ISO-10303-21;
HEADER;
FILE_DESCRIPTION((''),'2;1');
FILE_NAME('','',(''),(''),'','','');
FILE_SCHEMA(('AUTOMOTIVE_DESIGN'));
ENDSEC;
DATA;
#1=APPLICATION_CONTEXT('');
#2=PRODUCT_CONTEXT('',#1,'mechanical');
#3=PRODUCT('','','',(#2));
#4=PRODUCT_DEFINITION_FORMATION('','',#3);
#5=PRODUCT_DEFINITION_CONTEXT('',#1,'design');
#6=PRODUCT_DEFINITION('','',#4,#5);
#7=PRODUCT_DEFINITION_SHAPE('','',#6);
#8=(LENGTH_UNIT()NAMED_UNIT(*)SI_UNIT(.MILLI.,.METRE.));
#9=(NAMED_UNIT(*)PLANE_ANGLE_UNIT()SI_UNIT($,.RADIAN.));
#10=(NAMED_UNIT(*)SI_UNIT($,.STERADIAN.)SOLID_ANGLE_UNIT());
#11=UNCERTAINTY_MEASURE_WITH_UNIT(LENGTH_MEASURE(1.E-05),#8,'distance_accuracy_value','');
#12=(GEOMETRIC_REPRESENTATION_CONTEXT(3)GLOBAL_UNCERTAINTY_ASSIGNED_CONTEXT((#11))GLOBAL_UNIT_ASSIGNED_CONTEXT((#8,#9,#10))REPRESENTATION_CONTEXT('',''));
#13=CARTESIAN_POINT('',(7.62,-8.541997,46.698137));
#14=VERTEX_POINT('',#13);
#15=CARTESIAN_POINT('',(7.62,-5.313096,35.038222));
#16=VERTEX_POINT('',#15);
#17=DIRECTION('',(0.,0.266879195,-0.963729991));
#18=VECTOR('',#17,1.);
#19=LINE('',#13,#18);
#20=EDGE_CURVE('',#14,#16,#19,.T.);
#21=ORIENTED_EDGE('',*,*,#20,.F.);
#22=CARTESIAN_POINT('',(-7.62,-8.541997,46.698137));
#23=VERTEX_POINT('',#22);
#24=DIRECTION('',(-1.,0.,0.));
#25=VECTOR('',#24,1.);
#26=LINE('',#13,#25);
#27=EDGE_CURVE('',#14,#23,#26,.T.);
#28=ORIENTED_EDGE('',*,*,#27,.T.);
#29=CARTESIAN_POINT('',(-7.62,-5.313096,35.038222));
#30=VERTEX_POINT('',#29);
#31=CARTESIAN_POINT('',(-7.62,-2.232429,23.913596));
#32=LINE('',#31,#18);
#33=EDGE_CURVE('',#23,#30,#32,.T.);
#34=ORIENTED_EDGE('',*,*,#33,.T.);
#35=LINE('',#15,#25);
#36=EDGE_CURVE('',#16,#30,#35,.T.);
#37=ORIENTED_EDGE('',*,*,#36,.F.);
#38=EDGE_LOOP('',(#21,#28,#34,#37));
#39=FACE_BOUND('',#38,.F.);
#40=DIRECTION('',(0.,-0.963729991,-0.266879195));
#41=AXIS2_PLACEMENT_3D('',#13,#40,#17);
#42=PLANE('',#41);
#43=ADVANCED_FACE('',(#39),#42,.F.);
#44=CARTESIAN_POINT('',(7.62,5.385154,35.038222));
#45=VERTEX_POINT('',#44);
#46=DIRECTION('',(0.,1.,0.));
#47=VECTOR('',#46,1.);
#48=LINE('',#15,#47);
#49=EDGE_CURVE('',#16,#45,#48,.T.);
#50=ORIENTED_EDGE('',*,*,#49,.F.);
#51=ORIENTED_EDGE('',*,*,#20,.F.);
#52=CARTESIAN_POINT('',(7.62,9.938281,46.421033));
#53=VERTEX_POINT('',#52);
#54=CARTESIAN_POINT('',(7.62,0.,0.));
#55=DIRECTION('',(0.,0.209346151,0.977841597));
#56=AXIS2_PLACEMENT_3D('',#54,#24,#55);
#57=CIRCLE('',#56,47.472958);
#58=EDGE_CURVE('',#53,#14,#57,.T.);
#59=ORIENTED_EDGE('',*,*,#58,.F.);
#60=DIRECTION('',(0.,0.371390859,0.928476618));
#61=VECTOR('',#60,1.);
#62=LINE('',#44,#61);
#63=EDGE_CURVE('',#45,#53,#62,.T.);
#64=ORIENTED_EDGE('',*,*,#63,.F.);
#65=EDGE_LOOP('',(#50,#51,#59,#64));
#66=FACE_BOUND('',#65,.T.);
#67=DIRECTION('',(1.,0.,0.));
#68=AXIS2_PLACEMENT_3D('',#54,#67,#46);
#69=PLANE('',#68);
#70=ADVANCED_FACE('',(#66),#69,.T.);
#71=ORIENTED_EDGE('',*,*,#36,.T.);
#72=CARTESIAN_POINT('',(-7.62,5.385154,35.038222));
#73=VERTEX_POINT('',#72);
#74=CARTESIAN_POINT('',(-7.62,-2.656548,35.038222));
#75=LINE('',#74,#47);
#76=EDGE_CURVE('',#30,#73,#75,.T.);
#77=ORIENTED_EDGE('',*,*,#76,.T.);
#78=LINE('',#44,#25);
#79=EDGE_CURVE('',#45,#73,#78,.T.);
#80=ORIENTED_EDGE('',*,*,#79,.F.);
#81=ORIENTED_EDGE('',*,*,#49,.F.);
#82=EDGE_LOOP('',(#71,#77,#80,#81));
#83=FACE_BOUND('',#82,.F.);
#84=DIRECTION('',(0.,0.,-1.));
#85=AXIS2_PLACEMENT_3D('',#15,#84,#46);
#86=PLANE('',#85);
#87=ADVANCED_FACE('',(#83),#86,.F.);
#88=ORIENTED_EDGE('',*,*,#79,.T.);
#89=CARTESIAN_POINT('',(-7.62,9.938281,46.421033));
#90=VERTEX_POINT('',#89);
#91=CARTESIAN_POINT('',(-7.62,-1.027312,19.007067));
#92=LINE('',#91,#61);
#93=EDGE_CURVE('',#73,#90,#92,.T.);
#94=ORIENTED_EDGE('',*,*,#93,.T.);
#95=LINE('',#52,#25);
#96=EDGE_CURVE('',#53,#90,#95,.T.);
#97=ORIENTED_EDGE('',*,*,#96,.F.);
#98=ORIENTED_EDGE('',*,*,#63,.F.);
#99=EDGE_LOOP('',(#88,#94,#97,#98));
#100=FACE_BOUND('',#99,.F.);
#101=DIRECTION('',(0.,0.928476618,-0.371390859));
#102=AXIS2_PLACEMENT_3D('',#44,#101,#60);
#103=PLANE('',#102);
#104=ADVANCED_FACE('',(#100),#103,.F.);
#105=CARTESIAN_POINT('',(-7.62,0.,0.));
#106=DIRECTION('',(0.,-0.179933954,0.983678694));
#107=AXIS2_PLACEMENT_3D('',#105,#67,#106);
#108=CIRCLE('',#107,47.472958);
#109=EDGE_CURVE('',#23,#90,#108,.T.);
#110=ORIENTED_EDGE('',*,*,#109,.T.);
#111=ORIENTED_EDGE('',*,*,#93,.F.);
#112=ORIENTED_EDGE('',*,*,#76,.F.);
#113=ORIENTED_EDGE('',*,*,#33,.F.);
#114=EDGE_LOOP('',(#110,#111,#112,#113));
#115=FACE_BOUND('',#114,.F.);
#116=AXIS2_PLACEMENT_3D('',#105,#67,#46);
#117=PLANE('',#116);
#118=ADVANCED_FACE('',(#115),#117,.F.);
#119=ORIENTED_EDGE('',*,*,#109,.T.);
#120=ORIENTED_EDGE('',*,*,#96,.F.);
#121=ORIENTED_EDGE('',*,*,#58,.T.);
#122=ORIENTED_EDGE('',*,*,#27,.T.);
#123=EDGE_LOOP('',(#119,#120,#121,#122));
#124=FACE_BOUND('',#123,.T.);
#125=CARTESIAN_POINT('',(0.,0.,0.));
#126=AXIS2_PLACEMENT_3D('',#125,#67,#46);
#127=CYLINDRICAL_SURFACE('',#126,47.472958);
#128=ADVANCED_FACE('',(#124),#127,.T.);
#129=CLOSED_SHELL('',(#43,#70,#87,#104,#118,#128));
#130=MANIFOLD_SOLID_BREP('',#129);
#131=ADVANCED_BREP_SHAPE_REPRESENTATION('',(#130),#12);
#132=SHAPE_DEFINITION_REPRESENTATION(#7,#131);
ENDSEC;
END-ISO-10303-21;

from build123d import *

# Parameters (mm, degrees)
F0_R          = 47.472958
F1_DEPTH      = 7.62
F1_DEPTH_BACK = 7.62
F3_DEPTH      = 25.4
F3_DEPTH_BACK = 25.4


with BuildPart() as f1:
    # F0 (on Right) → F1 (new body, two sides)
    with BuildSketch(Plane.YZ) as f1_sk:
        Circle(F0_R)
    extrude(amount=F1_DEPTH)
    extrude(f1_sk.sketch, amount=-F1_DEPTH_BACK)

    # F2 (on face) → F3 (cut, two sides)
    with BuildSketch(Plane.YZ.offset(7.62)) as f3_sk:
        with BuildLine():
            Line((-5.313096, 35.038222), (0, 35.038222))
            Line((0, 35.038222), (5.385154, 35.038222))
            Line((5.385154, 35.038222), (9.938281, 46.421033))
            ThreePointArc((9.938281, 46.421033), (0.711757, 47.467622), (-8.541997, 46.698137))
            Line((-8.541997, 46.698137), (-5.313096, 35.038222))
        make_face()
        with BuildLine():
            ThreePointArc((-8.541997, 46.698137), (0.711757, 47.467622), (9.938281, 46.421033))
            Line((9.938281, 46.421033), (11.56637, 50.491255))
            Line((11.56637, 50.491255), (-9.592399, 50.491255))
            Line((-9.592399, 50.491255), (-8.541997, 46.698137))
        make_face()
    extrude(amount=F3_DEPTH, mode=Mode.SUBTRACT)
    extrude(f3_sk.sketch, amount=-F3_DEPTH_BACK, mode=Mode.SUBTRACT)


solid = f1.part
